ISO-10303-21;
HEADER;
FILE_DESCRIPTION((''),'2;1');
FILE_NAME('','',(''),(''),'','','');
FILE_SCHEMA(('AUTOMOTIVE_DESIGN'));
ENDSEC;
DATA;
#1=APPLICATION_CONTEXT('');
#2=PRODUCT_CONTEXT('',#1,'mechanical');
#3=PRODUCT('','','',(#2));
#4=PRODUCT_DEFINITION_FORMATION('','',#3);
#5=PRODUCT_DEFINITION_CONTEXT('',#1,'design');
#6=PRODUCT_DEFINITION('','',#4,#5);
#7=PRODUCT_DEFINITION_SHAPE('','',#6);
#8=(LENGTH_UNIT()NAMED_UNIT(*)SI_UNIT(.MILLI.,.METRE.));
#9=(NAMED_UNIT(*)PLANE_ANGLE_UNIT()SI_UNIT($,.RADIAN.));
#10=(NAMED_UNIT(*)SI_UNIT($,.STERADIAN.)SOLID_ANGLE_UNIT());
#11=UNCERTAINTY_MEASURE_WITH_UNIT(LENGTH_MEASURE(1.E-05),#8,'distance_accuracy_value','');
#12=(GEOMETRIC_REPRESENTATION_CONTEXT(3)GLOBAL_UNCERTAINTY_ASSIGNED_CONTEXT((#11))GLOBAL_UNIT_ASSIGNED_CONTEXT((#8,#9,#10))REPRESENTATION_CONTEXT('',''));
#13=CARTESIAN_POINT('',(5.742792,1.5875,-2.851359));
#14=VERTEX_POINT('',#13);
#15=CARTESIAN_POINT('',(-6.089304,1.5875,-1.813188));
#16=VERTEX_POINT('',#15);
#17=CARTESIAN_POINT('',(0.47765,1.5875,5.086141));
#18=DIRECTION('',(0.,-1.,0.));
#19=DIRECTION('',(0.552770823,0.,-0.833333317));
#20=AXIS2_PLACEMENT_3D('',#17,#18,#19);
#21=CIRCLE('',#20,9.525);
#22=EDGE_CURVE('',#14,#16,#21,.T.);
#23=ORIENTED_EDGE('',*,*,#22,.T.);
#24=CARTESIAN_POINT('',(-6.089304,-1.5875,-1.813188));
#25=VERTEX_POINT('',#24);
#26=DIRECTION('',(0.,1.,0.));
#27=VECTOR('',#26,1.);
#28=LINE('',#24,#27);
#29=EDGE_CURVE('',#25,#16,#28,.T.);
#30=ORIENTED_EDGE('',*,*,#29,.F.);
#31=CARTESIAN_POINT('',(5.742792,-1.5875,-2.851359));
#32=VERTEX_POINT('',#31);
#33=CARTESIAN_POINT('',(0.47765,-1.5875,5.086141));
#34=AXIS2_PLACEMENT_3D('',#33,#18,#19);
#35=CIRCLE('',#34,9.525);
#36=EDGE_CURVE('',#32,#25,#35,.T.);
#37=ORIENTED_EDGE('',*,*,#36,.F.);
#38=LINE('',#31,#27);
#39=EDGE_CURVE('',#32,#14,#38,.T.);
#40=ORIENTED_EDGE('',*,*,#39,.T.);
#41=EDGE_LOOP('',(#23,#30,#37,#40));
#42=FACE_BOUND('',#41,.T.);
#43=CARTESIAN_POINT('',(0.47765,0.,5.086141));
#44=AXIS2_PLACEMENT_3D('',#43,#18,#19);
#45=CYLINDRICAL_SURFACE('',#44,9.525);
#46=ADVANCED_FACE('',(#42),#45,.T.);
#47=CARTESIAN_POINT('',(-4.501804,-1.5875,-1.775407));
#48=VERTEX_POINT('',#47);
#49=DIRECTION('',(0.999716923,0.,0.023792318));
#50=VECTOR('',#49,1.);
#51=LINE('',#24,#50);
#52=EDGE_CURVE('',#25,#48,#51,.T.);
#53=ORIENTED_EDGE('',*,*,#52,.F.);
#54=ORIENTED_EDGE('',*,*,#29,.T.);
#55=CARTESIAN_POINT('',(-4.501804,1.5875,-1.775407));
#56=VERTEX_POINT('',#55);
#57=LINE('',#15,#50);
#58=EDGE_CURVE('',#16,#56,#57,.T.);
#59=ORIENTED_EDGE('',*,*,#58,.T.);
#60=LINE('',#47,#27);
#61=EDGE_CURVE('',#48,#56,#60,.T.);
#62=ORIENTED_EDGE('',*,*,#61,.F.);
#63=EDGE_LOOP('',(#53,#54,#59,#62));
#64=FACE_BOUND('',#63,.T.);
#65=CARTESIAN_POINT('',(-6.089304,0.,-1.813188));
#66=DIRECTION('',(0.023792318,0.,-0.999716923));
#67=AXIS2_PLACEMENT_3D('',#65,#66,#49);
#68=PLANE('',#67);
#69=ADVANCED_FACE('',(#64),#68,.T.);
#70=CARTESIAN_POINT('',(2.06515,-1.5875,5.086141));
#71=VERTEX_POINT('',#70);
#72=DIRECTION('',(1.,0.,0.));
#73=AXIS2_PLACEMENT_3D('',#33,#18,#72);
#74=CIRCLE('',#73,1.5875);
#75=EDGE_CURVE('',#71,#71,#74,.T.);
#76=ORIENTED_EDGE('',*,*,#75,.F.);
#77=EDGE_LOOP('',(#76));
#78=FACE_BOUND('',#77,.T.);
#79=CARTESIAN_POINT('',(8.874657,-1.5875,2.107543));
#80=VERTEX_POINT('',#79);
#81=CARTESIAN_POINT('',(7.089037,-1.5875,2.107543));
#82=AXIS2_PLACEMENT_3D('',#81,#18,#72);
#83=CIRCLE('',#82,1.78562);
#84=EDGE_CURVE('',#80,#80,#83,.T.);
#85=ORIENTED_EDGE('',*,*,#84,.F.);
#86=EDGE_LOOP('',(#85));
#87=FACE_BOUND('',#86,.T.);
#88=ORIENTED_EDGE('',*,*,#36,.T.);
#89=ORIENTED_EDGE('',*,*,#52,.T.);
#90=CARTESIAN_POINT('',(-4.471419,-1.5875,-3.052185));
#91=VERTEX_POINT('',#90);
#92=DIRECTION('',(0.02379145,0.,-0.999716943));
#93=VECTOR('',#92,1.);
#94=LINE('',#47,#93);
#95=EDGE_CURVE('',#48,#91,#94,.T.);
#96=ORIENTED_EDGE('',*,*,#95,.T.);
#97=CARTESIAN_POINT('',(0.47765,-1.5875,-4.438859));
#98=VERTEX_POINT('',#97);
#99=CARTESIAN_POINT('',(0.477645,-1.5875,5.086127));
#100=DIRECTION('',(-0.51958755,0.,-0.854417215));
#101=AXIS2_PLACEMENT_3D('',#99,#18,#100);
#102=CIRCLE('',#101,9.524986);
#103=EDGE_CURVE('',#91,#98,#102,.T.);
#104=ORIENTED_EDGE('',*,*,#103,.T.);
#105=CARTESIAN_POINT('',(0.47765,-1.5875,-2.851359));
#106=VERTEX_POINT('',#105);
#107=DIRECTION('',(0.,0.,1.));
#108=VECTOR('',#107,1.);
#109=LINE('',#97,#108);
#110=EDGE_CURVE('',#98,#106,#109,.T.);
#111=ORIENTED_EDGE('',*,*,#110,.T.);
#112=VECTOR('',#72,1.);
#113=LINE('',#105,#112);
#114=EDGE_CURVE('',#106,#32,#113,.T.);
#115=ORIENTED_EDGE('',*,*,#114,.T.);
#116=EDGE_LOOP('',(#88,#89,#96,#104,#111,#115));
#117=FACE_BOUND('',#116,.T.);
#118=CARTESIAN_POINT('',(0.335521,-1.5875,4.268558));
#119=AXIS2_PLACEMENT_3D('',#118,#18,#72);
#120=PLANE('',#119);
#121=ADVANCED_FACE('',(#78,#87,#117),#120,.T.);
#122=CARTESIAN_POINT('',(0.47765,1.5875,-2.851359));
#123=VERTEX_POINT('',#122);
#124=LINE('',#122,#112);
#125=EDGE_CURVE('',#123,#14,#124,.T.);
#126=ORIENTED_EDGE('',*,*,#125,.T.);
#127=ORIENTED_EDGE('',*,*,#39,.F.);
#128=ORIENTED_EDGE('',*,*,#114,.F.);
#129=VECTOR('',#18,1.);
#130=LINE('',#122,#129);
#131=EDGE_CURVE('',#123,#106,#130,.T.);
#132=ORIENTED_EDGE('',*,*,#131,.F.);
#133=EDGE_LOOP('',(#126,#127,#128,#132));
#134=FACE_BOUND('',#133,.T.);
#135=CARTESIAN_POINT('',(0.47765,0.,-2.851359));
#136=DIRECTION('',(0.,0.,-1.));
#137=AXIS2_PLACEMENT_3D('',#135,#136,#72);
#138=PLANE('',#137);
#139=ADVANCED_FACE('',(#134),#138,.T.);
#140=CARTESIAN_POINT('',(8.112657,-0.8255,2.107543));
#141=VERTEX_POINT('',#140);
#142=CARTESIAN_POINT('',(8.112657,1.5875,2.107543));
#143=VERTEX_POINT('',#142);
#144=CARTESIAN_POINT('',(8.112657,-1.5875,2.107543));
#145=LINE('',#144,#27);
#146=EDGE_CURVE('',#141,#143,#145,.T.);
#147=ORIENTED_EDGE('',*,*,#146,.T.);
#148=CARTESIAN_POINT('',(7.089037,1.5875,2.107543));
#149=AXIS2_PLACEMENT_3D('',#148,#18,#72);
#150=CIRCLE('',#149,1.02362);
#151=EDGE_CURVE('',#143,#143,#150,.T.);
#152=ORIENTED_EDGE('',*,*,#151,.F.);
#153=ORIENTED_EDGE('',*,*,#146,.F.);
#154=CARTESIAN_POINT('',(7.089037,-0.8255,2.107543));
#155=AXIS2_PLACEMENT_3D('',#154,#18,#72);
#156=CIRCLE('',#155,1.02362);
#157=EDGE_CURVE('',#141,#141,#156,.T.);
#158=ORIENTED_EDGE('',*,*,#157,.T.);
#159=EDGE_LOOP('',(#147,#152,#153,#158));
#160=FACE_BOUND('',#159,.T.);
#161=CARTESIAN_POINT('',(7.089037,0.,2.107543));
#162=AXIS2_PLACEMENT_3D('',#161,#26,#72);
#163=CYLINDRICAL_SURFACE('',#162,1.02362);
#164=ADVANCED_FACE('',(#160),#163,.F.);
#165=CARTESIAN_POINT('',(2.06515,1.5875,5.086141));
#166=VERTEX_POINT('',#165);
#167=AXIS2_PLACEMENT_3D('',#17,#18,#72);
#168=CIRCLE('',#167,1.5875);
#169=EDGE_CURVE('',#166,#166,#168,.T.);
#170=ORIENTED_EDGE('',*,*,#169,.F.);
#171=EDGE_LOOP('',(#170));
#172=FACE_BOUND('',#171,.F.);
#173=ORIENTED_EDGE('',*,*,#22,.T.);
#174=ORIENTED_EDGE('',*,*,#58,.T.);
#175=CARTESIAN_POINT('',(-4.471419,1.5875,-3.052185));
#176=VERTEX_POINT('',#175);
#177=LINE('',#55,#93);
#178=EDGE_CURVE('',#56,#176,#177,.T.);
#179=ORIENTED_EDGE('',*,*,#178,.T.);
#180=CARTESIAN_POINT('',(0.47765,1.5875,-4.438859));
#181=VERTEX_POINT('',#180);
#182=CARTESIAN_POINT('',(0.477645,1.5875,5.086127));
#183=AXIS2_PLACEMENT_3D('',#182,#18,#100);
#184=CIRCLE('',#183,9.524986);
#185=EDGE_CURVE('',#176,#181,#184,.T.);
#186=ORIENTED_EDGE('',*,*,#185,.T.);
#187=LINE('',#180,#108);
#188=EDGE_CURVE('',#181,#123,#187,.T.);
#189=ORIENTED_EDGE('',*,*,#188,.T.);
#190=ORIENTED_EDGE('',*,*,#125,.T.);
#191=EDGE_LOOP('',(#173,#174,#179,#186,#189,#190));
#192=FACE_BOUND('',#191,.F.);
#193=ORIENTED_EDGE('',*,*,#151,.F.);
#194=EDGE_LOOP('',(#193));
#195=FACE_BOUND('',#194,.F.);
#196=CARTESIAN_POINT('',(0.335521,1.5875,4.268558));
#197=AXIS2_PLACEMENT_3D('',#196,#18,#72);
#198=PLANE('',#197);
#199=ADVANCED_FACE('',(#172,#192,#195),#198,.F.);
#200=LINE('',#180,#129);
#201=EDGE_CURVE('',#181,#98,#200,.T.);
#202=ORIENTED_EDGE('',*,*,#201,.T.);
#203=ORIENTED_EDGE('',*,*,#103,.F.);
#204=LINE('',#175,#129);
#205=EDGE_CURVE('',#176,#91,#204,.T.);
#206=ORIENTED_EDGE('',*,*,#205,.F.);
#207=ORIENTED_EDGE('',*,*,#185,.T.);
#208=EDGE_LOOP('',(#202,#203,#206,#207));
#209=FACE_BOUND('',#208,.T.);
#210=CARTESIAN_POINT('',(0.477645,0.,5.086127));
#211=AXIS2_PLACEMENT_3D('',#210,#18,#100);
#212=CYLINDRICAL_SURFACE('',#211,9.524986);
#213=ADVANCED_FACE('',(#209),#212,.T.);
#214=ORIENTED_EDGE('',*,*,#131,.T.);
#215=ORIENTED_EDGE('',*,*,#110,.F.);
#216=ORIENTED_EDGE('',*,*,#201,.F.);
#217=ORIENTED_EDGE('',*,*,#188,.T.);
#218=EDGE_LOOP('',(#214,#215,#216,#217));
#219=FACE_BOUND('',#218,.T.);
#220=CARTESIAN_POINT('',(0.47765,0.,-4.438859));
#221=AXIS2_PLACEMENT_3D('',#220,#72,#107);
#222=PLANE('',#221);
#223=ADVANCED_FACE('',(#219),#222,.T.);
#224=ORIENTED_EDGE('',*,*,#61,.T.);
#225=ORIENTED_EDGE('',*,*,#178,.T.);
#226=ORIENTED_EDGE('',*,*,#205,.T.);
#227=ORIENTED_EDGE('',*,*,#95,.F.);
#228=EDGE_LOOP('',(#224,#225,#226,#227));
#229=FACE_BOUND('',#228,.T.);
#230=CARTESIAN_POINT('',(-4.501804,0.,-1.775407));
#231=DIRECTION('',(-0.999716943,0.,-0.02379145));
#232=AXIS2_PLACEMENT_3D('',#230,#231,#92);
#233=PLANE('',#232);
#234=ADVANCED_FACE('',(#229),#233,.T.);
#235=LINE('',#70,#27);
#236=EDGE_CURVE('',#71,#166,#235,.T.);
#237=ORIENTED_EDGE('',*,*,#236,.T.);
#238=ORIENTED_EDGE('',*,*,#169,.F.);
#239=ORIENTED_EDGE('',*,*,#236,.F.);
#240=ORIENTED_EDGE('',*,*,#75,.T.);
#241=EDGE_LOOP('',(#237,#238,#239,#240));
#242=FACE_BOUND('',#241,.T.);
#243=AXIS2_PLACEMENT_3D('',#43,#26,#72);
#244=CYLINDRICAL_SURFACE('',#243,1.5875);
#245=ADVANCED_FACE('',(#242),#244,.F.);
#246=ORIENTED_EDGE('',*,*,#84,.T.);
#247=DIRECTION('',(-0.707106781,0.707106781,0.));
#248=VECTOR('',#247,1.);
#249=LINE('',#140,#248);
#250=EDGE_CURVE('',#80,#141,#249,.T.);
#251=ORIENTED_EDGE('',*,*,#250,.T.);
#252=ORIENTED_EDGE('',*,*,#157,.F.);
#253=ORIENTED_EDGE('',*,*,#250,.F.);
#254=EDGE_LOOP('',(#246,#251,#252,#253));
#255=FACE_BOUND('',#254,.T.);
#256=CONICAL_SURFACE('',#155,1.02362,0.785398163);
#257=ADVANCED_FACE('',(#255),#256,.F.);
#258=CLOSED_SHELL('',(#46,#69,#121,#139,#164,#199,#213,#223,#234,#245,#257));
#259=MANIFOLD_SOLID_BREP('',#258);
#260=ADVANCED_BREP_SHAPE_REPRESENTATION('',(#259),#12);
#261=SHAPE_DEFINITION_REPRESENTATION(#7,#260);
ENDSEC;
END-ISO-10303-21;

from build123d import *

# Parameters (mm, degrees)
F0_R     = 1.02362
F0_R_2   = 1.5875
F1_DEPTH = 1.5875
F2_SIZE2 = 0.762
F2_SIZE  = 0.762


with BuildPart() as f1:
    # F0 (on Front) → F1 (new body, symmetric)
    with BuildSketch(Plane.XZ):
        with BuildLine():
            Line((-4.501804, -1.775407), (-4.471419, -3.052185))
            ThreePointArc((-4.471419, -3.052185), (-2.092182, -4.085642), (0.47765, -4.438859))
            Line((0.47765, -4.438859), (0.47765, -2.851359))
            Line((0.47765, -2.851359), (5.742792, -2.851359))
            ThreePointArc((5.742792, -2.851359), (1.310194, 14.574686), (-6.089304, -1.813188))
            Line((-6.089304, -1.813188), (-4.501804, -1.775407))
        make_face()
        with Locations((7.089037, 2.107543)):
            Circle(F0_R, mode=Mode.SUBTRACT)
        with Locations((0.47765, 5.086141)):
            Circle(F0_R_2, mode=Mode.SUBTRACT)
    extrude(amount=F1_DEPTH, both=True)

    # F2
    f2_edges = [f1.edges().sort_by_distance(p)[0] for p in [
        (6.065417, -1.5875, 2.107543),
    ]]
    chamfer(f2_edges, length=F2_SIZE, length2=F2_SIZE2)


solid = f1.part
